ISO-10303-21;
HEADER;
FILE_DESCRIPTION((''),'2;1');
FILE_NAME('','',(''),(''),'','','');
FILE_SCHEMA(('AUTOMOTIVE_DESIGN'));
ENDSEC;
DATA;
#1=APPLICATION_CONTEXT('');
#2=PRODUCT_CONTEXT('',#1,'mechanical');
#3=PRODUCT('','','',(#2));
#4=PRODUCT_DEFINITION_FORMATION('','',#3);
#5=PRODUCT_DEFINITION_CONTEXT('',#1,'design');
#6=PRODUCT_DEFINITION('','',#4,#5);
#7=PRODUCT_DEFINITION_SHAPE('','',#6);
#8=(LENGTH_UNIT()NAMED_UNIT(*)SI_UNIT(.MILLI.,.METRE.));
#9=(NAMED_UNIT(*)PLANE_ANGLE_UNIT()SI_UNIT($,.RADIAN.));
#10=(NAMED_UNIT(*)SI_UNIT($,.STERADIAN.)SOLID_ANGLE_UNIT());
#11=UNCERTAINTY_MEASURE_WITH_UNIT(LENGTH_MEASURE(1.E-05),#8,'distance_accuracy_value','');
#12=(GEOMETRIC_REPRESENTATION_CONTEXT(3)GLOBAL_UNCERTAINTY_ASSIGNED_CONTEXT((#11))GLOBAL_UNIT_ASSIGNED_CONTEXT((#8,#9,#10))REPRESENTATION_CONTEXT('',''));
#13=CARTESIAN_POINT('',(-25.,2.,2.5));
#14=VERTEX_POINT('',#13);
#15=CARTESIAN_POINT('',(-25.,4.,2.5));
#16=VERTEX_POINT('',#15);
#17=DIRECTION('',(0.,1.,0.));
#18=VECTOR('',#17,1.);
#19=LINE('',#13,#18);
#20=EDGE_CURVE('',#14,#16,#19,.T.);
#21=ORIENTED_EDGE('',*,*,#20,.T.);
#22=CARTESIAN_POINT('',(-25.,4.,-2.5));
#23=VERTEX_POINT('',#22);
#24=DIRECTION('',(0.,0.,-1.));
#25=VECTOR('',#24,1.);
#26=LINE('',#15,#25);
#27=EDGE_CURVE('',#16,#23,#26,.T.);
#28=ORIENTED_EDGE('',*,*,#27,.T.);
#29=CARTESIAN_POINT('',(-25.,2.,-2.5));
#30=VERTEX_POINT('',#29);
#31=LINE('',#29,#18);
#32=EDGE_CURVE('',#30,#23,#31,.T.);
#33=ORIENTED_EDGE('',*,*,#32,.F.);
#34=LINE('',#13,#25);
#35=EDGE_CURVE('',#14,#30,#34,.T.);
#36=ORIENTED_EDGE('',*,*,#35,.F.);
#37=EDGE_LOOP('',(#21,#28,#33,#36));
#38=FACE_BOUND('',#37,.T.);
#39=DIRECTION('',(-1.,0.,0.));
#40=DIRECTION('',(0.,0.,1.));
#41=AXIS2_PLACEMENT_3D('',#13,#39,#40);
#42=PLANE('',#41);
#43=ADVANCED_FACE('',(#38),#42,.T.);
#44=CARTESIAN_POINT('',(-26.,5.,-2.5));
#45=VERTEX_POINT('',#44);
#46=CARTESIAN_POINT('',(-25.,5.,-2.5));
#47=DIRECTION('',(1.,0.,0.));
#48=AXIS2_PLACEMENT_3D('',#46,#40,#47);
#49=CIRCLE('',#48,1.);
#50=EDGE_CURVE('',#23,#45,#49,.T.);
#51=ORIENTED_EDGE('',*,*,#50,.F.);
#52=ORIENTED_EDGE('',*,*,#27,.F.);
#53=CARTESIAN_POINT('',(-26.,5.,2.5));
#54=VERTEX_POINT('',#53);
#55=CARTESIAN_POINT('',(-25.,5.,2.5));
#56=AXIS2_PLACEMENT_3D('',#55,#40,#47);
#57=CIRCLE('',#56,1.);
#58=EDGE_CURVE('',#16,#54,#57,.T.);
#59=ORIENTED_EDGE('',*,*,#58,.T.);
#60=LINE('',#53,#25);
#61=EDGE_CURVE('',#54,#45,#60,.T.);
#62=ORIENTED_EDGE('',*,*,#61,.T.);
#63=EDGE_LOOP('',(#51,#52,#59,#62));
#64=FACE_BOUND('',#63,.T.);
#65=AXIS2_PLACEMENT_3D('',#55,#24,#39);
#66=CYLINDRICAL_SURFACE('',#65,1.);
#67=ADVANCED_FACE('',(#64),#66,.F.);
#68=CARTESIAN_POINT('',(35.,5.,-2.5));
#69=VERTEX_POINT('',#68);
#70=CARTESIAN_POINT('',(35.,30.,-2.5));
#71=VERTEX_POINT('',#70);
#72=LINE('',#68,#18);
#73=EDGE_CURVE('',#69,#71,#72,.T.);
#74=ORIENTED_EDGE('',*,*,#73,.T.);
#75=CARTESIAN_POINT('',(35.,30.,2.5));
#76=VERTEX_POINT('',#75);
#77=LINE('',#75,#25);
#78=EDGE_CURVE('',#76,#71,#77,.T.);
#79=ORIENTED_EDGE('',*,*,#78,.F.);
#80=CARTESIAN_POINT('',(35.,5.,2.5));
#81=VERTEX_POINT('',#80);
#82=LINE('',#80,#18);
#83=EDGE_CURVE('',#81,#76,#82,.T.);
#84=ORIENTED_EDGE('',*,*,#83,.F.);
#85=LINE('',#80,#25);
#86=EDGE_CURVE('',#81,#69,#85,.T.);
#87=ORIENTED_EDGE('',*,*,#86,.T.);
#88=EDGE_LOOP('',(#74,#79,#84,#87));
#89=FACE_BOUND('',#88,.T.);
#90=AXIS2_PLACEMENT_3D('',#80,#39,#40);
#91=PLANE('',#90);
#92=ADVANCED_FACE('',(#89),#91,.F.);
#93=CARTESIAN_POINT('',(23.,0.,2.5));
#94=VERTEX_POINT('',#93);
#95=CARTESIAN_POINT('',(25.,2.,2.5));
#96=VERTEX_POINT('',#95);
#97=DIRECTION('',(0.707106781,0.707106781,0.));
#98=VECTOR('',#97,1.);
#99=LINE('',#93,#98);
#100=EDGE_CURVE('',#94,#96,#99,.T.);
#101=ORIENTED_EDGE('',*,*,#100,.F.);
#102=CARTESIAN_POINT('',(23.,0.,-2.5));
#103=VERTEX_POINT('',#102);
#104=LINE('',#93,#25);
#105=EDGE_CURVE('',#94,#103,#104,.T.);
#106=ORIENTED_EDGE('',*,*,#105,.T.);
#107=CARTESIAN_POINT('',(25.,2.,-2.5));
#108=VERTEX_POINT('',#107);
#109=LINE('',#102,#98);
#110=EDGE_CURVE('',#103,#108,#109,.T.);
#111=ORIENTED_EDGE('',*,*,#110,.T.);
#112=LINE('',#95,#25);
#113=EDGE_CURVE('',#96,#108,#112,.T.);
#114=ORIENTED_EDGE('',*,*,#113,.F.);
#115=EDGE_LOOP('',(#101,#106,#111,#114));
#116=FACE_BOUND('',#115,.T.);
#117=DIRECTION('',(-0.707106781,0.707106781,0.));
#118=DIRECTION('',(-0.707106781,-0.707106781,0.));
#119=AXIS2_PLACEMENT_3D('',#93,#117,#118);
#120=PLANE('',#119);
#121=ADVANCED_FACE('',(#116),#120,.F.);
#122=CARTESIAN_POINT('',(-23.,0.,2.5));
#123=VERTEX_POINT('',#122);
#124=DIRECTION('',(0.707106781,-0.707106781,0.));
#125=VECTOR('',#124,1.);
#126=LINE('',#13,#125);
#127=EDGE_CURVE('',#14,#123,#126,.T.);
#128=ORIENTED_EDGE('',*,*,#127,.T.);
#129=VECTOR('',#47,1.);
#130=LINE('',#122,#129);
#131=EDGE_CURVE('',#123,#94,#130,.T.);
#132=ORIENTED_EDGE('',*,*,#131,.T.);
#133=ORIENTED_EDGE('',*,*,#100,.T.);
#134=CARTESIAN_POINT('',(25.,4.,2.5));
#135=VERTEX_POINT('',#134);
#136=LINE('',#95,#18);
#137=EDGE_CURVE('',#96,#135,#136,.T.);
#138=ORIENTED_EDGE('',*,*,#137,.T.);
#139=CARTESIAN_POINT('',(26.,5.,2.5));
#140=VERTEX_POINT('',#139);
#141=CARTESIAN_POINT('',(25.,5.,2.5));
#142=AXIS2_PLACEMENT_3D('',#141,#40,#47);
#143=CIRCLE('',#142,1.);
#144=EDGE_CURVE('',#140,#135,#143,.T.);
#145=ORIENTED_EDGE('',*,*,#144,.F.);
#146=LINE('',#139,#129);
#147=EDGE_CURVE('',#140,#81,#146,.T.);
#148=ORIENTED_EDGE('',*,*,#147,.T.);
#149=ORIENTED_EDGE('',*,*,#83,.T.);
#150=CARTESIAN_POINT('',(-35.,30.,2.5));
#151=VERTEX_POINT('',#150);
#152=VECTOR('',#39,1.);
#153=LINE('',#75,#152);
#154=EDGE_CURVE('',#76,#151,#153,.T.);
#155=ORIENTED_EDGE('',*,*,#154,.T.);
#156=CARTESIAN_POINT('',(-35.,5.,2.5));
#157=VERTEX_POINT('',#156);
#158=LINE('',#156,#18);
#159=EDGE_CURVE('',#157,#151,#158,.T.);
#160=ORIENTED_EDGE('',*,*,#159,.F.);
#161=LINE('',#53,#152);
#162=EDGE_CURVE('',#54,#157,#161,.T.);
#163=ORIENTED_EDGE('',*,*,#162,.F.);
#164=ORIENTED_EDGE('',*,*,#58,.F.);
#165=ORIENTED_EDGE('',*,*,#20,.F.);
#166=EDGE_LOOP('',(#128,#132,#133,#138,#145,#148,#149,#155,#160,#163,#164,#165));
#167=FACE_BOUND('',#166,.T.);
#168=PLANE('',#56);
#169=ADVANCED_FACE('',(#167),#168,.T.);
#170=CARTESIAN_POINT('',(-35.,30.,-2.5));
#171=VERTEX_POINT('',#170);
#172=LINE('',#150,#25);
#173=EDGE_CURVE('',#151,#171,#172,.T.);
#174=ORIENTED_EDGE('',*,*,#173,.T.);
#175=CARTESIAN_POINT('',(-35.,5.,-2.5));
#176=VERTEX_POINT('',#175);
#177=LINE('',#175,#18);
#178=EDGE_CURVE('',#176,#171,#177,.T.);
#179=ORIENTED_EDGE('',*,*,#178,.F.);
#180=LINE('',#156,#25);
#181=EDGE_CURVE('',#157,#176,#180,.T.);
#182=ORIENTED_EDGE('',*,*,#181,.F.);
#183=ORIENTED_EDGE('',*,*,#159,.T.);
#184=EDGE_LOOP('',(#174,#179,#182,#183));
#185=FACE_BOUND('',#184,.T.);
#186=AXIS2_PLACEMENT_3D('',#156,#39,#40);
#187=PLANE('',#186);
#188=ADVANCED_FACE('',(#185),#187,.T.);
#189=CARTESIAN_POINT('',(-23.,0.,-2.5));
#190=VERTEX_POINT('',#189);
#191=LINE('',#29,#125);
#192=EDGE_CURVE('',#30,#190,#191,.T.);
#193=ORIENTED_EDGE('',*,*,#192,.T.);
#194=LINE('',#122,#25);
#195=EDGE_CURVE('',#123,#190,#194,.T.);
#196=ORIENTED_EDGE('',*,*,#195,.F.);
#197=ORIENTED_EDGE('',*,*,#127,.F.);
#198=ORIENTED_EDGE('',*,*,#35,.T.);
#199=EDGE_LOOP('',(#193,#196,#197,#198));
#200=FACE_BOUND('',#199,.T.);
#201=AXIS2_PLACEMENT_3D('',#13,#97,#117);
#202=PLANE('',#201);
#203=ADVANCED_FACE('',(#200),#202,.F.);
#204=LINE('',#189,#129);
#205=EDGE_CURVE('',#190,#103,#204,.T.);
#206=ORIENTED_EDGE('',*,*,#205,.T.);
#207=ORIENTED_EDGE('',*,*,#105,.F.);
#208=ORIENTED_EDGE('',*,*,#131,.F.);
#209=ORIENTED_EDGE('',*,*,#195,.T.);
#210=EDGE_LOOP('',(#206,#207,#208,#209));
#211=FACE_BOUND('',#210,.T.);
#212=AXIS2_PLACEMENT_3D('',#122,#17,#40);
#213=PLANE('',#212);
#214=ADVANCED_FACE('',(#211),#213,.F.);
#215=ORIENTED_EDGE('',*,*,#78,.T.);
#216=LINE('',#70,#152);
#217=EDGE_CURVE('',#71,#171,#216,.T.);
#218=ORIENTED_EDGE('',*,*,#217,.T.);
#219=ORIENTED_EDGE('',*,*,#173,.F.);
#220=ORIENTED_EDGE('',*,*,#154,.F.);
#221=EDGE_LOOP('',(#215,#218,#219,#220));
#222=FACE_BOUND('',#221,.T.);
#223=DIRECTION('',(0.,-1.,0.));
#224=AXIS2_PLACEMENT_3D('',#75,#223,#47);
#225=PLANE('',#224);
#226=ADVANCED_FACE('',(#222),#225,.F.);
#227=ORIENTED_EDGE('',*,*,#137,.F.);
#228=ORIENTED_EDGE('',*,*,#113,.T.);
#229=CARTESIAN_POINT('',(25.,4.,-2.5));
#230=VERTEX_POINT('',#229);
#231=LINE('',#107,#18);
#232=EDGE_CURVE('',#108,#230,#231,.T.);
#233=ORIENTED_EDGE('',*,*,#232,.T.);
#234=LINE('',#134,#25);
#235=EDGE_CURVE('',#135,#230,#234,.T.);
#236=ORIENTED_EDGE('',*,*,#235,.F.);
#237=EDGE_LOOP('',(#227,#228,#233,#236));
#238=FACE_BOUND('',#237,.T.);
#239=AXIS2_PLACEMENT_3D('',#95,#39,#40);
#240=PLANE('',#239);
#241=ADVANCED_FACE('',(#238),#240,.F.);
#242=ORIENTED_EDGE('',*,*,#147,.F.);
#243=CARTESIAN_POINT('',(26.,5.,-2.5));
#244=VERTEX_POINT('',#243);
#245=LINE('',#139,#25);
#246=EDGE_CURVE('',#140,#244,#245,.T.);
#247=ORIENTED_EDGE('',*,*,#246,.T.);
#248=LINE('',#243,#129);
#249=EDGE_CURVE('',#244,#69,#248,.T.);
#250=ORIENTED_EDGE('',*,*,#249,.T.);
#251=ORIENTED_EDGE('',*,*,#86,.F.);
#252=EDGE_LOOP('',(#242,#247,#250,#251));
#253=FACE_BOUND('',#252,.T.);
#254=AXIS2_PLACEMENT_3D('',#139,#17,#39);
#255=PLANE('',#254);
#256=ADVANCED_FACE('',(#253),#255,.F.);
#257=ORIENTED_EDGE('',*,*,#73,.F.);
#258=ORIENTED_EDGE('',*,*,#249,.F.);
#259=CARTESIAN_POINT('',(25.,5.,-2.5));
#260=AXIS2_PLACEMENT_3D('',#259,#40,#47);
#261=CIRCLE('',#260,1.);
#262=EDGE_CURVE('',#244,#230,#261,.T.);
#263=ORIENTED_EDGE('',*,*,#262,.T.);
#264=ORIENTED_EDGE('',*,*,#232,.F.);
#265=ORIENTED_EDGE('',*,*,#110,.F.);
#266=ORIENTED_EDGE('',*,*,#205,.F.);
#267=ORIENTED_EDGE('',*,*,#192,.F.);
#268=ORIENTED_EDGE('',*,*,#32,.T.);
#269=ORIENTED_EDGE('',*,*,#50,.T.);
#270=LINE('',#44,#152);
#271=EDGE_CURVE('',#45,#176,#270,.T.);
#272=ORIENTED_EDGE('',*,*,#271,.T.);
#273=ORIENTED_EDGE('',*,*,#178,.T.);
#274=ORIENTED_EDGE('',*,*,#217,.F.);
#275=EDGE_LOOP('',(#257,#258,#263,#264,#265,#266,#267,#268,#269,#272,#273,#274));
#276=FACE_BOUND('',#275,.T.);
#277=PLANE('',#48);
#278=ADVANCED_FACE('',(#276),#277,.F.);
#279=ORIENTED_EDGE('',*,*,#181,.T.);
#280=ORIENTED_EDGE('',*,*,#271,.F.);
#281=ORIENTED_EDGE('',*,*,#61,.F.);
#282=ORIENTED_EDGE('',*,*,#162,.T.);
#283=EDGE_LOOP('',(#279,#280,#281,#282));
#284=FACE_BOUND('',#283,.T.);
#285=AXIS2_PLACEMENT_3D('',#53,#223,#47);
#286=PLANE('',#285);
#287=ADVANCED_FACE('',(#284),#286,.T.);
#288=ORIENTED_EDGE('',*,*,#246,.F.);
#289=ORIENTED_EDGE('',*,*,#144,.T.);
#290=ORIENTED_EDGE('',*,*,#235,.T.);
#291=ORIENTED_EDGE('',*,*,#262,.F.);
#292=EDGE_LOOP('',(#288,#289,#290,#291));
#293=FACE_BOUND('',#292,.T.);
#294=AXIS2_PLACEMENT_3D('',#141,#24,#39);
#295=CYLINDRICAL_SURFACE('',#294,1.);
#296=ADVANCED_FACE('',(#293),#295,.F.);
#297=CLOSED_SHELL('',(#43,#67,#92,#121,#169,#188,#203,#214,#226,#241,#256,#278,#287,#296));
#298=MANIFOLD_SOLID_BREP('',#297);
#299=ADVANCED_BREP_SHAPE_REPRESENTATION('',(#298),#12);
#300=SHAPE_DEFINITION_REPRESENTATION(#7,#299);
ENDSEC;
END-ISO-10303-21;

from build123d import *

# Parameters (mm, degrees)
EXTRUDE_1_DEPTH = 2.5


with BuildPart() as part:
    # 草圖1 → 填料-伸長1 (new, symmetric)
    with BuildSketch(Plane.XY):
        with BuildLine():
            Line((-25, 2), (-23, 0))
            Line((-23, 0), (23, 0))
            Line((23, 0), (25, 2))
            Line((25, 2), (25, 4))
            ThreePointArc((25, 4), (24.292893219, 5.707106781), (26, 5))
            Line((26, 5), (35, 5))
            Line((35, 5), (35, 30))
            Line((35, 30), (-35, 30))
            Line((-35, 30), (-35, 5))
            Line((-35, 5), (-26, 5))
            ThreePointArc((-26, 5), (-24.292893219, 5.707106781), (-25, 4))
            Line((-25, 4), (-25, 2))
        make_face()
    extrude(amount=EXTRUDE_1_DEPTH, both=True)


solid = part.part
